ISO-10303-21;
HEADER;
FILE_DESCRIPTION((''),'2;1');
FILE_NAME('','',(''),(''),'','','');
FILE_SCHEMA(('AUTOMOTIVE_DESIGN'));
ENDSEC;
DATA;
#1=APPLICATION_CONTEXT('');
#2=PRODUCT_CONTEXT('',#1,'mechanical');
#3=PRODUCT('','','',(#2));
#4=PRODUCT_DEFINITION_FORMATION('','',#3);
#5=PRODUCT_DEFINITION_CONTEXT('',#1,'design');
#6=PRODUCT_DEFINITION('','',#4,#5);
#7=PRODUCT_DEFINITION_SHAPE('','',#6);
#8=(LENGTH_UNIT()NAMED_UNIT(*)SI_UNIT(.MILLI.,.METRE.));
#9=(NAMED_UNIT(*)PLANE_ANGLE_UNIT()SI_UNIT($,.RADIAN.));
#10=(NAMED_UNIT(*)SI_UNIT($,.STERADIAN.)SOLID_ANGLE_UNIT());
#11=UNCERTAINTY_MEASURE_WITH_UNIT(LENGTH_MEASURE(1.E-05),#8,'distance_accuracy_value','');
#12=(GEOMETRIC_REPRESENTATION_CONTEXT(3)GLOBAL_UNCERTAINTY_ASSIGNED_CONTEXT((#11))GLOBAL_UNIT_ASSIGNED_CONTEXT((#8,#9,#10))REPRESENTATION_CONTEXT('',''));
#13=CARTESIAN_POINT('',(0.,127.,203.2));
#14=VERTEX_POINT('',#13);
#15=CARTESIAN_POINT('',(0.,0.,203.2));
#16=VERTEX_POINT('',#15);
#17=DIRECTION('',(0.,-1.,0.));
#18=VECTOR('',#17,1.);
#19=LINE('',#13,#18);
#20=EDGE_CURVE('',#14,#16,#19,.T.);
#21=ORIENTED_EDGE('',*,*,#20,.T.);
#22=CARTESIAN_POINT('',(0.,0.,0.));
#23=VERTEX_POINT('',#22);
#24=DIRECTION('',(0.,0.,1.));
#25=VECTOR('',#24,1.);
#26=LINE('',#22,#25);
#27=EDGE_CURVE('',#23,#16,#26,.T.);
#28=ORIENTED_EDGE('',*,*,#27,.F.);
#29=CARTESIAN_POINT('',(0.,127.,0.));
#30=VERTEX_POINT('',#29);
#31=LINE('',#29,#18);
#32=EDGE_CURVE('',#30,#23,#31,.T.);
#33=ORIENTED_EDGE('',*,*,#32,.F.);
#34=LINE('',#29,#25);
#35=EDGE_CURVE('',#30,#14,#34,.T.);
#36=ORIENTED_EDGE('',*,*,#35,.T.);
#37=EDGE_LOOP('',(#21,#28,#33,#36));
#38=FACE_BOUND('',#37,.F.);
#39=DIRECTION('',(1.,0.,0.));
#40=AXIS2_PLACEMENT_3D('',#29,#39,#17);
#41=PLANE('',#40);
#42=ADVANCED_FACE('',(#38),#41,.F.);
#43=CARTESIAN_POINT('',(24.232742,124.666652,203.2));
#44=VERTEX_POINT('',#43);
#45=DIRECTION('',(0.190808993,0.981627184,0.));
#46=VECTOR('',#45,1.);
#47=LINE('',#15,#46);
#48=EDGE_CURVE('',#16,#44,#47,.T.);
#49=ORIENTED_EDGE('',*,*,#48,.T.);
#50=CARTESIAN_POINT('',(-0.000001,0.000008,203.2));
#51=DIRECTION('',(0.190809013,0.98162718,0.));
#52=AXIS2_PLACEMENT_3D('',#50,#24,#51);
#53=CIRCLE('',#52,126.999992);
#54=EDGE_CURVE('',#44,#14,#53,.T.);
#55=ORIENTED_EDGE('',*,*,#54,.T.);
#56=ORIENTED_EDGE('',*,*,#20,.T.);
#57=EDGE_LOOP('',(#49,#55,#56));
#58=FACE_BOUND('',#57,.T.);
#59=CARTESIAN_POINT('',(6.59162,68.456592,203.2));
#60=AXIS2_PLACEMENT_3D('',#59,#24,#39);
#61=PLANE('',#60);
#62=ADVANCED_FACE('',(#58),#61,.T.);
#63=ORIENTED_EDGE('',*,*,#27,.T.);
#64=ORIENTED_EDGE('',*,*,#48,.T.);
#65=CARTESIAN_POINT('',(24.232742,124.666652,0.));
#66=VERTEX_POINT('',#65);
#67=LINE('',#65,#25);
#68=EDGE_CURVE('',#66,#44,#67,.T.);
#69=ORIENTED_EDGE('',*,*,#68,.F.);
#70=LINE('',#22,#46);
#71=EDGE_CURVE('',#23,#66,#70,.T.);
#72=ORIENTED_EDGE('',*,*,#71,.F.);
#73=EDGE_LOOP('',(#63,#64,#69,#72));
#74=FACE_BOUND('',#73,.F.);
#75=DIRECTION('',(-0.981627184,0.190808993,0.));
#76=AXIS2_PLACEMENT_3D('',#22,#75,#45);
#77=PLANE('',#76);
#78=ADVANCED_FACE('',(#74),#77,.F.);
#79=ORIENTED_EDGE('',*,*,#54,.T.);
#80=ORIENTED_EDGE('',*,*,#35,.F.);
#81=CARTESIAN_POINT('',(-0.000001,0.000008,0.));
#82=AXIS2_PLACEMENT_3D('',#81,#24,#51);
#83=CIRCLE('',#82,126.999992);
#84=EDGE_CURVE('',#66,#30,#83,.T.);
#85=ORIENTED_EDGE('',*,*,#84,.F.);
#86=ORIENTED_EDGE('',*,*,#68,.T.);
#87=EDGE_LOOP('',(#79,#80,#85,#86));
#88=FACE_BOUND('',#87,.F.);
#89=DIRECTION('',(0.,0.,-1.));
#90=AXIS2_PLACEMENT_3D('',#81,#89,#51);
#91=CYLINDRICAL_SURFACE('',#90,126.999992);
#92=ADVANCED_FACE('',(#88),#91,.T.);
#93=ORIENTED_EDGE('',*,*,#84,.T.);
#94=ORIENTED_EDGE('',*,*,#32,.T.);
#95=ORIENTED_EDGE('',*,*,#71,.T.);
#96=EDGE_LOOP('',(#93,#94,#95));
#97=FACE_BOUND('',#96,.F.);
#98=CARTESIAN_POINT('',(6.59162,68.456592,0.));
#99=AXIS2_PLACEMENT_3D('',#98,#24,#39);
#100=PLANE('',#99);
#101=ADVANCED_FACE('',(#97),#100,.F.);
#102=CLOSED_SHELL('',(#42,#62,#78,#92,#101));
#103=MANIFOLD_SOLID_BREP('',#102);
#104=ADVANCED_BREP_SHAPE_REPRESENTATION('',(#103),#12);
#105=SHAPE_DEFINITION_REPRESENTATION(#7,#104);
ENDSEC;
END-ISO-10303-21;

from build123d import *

# Parameters (mm, degrees)
F2_DEPTH = 203.2


with BuildPart() as f2:
    # F1 (on face) → F2 (new body)
    with BuildSketch(Plane.XY):
        with BuildLine():
            Line((0, 127), (0, 0))
            Line((0, 0), (24.232742, 124.666652))
            ThreePointArc((24.232742, 124.666652), (12.172411, 126.415317), (0, 127))
        make_face()
    extrude(amount=F2_DEPTH)


solid = f2.part
